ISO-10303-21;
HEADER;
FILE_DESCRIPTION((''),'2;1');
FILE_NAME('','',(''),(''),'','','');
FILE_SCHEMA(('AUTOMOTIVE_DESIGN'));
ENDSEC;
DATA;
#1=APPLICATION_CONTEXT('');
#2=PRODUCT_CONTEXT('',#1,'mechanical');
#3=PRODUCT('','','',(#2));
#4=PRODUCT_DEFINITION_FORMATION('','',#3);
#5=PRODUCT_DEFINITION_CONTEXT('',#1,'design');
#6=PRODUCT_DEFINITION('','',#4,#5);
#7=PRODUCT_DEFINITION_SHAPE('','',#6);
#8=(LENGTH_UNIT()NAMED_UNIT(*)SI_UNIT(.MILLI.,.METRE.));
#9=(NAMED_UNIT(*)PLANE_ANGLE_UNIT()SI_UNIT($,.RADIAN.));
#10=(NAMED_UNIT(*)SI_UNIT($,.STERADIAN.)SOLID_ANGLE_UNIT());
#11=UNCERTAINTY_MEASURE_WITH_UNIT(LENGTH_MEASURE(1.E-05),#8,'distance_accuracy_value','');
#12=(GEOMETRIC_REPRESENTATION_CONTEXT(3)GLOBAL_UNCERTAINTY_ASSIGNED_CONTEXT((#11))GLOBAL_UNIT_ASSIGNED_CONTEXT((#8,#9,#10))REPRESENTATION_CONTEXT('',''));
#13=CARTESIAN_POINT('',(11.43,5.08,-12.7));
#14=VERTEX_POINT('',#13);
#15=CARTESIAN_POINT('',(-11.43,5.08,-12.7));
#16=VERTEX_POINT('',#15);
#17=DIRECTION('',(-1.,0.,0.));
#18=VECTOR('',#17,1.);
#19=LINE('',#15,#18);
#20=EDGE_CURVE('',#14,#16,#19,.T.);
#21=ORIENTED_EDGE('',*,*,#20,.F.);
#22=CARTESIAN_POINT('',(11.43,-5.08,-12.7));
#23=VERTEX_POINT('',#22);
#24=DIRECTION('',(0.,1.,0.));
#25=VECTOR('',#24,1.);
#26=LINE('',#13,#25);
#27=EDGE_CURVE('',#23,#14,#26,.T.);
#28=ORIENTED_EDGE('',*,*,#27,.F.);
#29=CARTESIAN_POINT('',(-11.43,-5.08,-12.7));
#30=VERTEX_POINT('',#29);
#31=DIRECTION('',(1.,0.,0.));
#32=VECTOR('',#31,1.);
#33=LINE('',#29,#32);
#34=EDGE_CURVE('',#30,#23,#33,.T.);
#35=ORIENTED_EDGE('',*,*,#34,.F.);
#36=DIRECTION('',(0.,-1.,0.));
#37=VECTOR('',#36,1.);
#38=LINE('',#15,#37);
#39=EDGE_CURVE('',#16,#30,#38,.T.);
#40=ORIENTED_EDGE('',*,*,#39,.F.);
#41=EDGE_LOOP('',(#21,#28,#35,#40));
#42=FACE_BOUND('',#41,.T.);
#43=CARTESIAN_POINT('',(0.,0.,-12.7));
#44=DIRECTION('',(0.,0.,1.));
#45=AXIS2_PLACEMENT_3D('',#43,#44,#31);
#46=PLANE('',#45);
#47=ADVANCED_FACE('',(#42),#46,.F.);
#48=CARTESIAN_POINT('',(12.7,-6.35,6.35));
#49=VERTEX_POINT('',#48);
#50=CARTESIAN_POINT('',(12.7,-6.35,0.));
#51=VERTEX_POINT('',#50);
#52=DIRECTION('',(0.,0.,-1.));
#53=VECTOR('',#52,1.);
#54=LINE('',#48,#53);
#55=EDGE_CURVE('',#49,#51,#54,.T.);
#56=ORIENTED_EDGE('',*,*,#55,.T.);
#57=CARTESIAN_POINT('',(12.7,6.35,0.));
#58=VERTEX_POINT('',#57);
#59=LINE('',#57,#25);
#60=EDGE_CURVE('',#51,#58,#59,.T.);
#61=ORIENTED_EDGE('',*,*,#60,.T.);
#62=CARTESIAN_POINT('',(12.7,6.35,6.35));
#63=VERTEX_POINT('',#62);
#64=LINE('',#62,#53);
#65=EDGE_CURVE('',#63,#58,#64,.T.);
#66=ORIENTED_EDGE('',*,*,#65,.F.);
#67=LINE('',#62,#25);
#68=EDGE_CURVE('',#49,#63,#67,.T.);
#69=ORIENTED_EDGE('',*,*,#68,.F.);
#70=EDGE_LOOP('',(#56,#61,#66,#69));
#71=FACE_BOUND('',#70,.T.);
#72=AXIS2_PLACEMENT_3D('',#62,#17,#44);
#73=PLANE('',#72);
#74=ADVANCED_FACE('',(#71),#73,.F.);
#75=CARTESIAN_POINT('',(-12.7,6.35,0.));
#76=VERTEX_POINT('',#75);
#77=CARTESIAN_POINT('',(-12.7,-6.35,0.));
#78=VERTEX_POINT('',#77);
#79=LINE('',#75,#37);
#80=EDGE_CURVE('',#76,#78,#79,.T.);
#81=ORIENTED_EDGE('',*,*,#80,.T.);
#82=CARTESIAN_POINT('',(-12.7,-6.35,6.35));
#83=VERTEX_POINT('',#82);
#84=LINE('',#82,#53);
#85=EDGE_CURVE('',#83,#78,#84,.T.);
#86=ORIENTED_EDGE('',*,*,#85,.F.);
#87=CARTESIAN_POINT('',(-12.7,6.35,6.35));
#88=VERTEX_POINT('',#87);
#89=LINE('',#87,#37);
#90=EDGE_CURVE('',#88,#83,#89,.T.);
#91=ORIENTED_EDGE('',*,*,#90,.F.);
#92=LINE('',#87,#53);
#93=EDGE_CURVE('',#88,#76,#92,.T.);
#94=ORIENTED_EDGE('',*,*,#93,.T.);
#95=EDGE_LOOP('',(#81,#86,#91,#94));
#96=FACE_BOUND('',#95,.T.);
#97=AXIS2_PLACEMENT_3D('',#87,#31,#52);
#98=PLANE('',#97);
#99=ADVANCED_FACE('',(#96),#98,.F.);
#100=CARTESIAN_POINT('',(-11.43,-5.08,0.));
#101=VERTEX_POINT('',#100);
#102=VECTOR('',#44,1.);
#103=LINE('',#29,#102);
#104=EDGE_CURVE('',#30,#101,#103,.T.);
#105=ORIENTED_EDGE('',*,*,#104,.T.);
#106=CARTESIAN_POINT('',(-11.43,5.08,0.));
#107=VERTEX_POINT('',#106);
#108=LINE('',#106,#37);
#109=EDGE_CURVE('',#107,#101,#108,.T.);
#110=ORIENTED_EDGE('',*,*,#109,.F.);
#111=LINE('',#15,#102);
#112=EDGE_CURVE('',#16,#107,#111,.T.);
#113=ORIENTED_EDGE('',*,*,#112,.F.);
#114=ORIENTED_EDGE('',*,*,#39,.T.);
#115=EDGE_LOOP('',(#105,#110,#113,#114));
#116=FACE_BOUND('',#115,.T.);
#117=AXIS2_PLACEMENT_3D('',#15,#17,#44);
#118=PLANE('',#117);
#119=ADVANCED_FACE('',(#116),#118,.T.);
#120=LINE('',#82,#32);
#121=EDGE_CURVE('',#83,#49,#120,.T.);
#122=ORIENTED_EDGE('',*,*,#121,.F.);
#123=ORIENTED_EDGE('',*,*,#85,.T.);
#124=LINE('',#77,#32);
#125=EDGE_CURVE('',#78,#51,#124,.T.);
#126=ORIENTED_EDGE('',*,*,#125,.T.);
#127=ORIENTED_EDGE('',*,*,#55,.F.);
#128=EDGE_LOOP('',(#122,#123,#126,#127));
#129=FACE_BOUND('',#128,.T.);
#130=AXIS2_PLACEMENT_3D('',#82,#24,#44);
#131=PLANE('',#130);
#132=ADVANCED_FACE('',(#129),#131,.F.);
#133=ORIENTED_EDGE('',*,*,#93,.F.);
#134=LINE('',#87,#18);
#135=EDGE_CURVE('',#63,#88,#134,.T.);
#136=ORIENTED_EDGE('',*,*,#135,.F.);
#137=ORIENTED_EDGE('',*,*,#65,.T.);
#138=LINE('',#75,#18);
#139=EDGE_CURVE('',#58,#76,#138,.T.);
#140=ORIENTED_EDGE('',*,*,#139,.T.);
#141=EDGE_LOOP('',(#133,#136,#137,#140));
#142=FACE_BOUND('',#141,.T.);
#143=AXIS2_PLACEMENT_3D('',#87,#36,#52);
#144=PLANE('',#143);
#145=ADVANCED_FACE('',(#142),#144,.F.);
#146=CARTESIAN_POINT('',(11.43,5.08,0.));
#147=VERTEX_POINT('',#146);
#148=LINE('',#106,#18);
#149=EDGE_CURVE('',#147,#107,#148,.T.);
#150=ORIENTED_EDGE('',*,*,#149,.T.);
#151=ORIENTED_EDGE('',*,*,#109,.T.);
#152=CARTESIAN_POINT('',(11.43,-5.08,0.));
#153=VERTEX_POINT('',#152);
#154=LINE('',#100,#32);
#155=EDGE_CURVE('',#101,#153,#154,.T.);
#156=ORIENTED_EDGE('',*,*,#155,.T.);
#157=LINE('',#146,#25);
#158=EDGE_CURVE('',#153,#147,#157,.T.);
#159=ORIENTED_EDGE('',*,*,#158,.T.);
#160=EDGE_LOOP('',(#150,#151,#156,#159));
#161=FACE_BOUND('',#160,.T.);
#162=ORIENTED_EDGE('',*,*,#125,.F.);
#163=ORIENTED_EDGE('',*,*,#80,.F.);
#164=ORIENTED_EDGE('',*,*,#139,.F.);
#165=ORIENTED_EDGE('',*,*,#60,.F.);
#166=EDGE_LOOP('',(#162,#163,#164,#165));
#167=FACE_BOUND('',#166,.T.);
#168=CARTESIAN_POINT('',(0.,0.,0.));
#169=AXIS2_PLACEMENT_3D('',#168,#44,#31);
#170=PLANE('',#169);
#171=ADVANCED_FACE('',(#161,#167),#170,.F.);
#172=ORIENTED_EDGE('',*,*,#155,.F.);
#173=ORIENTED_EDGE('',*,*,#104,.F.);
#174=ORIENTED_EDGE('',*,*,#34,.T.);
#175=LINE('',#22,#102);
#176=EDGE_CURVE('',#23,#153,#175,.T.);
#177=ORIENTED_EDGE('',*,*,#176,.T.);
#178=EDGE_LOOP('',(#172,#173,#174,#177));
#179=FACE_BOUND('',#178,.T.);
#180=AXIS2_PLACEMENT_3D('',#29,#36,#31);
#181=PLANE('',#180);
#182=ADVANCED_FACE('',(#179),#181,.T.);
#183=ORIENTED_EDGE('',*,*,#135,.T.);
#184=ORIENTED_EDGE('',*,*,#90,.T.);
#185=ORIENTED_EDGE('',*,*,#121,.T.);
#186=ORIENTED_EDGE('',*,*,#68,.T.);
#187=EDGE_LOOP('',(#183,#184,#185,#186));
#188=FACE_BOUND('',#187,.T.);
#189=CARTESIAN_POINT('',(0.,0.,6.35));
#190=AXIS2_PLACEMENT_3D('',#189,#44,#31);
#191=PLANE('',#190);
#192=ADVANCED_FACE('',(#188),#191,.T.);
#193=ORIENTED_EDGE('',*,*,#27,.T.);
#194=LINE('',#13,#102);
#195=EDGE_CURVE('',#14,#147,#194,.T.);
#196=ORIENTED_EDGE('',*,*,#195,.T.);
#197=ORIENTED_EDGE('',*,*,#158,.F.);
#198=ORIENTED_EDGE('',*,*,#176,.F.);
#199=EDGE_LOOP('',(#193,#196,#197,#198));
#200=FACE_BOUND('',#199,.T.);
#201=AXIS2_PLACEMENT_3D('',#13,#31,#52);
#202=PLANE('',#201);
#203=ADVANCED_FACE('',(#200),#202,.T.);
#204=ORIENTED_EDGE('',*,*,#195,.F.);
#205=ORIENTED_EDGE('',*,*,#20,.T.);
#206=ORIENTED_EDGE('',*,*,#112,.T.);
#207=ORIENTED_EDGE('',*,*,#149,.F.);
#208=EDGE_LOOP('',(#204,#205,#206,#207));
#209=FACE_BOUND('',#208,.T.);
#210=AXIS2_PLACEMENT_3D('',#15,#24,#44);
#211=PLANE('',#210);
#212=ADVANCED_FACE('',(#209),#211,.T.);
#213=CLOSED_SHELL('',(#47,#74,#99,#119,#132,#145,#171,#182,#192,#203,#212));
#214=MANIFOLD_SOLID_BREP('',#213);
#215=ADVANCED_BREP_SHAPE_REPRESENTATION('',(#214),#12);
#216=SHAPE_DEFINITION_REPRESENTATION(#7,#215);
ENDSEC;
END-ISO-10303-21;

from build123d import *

# Parameters (mm, degrees)
SKETCH1_W           = 22.86
SKETCH1_H           = 10.16
BOSS_EXTRUDE1_DEPTH = 12.7
SKETCH2_W           = 25.4
SKETCH2_H           = 12.7
BOSS_EXTRUDE2_DEPTH = 6.35


with BuildPart() as part:
    # Sketch1 → Boss-Extrude1 (new body)
    with BuildSketch(Plane.XY):
        Rectangle(SKETCH1_W, SKETCH1_H)
    extrude(amount=-BOSS_EXTRUDE1_DEPTH)

    # Sketch2 → Boss-Extrude2 (add)
    with BuildSketch(Plane.XY):
        Rectangle(SKETCH2_W, SKETCH2_H)
    extrude(amount=BOSS_EXTRUDE2_DEPTH)


solid = part.part
